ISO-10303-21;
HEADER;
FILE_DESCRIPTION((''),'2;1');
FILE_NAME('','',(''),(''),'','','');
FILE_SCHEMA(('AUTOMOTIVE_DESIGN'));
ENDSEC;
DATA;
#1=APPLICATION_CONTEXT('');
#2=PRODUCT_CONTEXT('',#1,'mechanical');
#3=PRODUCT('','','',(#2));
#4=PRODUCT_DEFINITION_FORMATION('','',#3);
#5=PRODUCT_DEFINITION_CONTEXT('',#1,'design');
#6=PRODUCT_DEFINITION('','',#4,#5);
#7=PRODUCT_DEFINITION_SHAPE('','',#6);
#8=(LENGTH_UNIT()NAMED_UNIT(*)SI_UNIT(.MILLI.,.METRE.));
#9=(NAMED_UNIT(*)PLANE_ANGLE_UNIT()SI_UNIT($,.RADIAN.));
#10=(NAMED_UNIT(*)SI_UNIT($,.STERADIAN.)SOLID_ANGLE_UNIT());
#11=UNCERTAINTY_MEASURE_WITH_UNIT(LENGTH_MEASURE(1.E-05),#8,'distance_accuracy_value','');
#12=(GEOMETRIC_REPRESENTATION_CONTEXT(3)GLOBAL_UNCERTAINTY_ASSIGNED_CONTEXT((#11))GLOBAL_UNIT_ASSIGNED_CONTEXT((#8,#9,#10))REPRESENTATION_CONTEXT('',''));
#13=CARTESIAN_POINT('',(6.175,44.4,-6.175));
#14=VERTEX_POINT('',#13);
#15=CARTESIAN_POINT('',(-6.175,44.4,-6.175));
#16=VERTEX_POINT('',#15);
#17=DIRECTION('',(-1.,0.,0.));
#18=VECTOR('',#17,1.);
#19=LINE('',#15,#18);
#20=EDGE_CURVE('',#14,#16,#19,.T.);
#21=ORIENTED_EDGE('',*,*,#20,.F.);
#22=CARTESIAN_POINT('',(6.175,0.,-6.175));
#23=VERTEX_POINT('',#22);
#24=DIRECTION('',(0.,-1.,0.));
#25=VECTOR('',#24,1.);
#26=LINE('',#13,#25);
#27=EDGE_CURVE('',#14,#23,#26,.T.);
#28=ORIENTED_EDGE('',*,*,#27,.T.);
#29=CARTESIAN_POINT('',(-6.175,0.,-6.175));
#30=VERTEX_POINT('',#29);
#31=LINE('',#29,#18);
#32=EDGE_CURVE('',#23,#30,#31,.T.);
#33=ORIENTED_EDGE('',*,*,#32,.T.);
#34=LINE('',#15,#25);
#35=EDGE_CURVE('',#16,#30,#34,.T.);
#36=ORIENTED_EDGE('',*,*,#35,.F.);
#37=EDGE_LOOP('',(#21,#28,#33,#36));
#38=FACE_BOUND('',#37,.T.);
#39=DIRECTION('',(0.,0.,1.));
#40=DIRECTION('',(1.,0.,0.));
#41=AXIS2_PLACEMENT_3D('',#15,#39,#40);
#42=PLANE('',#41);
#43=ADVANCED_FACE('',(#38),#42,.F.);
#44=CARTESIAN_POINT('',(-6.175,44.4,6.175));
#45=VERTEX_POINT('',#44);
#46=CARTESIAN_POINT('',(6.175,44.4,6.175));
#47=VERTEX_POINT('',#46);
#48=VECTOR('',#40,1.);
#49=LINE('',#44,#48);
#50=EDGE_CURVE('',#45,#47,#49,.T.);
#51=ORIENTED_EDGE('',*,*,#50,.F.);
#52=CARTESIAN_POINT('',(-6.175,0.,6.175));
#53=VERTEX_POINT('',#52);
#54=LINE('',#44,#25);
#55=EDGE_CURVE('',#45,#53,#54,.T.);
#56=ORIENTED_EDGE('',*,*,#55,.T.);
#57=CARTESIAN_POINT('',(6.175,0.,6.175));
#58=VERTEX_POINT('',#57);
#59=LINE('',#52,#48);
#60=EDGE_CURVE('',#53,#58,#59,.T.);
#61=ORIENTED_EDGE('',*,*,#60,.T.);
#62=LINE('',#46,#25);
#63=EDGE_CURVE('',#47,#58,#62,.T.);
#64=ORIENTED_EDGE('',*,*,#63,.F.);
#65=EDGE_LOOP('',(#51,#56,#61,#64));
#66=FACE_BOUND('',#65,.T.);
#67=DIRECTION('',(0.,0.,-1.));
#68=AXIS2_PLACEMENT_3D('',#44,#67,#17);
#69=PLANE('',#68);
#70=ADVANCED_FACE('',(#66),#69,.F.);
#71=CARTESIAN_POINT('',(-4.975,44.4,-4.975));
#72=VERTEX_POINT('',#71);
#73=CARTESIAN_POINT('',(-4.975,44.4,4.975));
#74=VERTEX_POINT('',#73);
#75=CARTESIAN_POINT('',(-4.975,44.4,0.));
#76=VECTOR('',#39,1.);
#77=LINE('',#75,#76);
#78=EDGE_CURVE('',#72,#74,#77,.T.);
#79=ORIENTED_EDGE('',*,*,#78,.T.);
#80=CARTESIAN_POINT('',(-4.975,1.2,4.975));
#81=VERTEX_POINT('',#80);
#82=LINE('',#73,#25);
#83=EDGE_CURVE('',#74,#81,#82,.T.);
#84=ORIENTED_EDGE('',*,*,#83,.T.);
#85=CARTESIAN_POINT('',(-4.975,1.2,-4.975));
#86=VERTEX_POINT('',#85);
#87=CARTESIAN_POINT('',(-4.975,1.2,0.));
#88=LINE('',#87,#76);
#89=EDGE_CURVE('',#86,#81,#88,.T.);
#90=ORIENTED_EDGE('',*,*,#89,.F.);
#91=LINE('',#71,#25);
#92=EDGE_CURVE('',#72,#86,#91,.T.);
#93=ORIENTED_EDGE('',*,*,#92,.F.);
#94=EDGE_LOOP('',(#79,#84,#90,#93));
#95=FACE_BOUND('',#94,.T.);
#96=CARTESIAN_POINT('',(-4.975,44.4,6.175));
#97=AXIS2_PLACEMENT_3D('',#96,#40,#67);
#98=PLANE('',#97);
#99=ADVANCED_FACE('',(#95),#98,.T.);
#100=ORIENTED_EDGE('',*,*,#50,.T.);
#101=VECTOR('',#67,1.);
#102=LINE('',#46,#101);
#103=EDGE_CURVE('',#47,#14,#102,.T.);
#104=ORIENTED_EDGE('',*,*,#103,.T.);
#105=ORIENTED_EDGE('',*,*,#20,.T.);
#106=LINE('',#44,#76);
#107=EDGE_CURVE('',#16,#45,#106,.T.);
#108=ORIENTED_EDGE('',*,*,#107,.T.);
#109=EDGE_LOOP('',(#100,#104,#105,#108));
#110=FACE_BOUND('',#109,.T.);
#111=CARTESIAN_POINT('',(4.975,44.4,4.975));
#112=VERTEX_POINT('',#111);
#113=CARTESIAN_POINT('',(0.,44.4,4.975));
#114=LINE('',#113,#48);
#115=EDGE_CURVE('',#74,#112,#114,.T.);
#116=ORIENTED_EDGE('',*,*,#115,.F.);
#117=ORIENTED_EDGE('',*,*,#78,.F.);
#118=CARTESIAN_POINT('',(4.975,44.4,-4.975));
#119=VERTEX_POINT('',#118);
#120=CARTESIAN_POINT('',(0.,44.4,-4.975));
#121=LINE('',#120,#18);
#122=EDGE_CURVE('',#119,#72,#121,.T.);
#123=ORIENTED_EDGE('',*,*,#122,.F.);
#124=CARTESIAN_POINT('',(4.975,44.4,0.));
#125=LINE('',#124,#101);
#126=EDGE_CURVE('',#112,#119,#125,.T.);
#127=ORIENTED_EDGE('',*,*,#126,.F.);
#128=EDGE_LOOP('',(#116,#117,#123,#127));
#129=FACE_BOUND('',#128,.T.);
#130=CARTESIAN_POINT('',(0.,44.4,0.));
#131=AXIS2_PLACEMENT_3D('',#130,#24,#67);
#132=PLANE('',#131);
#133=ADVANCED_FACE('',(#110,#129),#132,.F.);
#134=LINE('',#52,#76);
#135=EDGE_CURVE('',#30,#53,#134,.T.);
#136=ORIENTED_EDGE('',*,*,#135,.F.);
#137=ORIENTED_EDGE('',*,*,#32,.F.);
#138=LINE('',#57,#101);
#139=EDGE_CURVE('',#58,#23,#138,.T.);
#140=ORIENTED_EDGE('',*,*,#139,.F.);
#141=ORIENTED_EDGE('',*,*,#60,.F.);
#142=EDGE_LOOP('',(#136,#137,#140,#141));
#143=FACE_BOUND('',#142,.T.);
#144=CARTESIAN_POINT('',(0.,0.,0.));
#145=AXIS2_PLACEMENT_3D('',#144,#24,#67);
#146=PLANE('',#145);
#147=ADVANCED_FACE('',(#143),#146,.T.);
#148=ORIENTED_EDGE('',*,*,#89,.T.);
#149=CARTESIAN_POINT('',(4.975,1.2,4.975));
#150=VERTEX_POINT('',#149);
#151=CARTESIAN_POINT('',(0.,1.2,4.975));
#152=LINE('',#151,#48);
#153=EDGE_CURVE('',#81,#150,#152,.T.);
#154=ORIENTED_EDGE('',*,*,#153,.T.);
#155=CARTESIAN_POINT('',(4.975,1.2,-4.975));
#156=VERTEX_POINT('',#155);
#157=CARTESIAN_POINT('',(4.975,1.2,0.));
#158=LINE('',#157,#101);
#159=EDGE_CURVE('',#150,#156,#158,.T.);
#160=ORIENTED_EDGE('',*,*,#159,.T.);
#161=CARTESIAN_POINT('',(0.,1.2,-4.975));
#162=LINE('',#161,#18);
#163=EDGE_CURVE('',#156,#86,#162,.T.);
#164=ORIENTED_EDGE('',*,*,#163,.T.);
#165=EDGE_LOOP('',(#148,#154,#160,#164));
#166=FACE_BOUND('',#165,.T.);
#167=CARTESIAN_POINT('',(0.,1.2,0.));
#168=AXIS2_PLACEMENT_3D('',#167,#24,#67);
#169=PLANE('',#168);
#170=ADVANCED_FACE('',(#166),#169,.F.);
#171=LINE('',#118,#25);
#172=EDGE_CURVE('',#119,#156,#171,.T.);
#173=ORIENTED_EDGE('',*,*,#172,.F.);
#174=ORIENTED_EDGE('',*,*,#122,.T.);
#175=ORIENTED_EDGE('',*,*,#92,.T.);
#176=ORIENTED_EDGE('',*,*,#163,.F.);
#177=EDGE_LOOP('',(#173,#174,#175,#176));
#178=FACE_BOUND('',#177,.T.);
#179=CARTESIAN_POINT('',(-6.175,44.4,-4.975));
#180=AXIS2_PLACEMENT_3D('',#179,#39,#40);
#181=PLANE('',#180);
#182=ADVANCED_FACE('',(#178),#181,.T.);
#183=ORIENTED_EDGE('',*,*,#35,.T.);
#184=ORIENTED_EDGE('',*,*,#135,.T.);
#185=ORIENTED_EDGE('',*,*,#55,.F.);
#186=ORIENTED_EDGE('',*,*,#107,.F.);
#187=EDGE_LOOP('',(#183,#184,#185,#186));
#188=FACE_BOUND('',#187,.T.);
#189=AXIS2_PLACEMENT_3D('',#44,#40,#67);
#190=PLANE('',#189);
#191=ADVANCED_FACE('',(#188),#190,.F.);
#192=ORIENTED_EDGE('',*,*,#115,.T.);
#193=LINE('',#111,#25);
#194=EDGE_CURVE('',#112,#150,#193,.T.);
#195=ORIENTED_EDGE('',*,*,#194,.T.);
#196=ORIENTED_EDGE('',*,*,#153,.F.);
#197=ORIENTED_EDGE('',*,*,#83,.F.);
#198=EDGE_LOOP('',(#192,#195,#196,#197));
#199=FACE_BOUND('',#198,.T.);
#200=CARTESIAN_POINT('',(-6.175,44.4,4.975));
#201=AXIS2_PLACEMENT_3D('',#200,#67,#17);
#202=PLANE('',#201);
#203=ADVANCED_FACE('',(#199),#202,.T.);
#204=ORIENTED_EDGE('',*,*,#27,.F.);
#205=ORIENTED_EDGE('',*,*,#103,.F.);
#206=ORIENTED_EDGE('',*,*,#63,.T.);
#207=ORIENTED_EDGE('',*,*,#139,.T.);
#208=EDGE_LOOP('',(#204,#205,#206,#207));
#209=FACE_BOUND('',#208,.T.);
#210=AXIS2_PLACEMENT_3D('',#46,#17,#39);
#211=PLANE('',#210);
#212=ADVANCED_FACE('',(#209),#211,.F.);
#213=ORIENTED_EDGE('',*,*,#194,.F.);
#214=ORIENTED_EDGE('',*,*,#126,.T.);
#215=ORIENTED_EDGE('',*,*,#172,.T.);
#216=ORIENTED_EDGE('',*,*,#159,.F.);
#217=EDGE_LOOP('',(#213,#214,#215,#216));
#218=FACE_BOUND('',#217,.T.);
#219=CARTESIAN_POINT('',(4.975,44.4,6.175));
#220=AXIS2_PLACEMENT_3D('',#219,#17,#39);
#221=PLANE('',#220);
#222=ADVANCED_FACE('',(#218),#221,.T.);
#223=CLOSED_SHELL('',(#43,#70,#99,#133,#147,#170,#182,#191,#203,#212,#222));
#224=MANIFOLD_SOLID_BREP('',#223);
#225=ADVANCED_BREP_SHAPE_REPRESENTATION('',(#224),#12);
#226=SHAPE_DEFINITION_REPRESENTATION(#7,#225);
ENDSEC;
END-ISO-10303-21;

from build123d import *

# Parameters (mm, degrees)
SKETCH1_W           = 12.35
SKETCH1_H           = 12.35
BOSS_EXTRUDE1_DEPTH = 44.4
SHELL1_T            = -1.2


with BuildPart() as part:
    # Sketch1 → Boss-Extrude1 (new body)
    with BuildSketch(Plane(origin=(0, 0, 0), x_dir=(1, 0, 0), z_dir=(0, 1, 0))):
        Rectangle(SKETCH1_W, SKETCH1_H)
    extrude(amount=BOSS_EXTRUDE1_DEPTH)

    # Shell1
    shell1_openings = [part.faces().sort_by_distance(p)[0] for p in [
        (0, 44.4, 0),
    ]]
    offset(amount=SHELL1_T, openings=shell1_openings, kind=Kind.INTERSECTION)


solid = part.part
